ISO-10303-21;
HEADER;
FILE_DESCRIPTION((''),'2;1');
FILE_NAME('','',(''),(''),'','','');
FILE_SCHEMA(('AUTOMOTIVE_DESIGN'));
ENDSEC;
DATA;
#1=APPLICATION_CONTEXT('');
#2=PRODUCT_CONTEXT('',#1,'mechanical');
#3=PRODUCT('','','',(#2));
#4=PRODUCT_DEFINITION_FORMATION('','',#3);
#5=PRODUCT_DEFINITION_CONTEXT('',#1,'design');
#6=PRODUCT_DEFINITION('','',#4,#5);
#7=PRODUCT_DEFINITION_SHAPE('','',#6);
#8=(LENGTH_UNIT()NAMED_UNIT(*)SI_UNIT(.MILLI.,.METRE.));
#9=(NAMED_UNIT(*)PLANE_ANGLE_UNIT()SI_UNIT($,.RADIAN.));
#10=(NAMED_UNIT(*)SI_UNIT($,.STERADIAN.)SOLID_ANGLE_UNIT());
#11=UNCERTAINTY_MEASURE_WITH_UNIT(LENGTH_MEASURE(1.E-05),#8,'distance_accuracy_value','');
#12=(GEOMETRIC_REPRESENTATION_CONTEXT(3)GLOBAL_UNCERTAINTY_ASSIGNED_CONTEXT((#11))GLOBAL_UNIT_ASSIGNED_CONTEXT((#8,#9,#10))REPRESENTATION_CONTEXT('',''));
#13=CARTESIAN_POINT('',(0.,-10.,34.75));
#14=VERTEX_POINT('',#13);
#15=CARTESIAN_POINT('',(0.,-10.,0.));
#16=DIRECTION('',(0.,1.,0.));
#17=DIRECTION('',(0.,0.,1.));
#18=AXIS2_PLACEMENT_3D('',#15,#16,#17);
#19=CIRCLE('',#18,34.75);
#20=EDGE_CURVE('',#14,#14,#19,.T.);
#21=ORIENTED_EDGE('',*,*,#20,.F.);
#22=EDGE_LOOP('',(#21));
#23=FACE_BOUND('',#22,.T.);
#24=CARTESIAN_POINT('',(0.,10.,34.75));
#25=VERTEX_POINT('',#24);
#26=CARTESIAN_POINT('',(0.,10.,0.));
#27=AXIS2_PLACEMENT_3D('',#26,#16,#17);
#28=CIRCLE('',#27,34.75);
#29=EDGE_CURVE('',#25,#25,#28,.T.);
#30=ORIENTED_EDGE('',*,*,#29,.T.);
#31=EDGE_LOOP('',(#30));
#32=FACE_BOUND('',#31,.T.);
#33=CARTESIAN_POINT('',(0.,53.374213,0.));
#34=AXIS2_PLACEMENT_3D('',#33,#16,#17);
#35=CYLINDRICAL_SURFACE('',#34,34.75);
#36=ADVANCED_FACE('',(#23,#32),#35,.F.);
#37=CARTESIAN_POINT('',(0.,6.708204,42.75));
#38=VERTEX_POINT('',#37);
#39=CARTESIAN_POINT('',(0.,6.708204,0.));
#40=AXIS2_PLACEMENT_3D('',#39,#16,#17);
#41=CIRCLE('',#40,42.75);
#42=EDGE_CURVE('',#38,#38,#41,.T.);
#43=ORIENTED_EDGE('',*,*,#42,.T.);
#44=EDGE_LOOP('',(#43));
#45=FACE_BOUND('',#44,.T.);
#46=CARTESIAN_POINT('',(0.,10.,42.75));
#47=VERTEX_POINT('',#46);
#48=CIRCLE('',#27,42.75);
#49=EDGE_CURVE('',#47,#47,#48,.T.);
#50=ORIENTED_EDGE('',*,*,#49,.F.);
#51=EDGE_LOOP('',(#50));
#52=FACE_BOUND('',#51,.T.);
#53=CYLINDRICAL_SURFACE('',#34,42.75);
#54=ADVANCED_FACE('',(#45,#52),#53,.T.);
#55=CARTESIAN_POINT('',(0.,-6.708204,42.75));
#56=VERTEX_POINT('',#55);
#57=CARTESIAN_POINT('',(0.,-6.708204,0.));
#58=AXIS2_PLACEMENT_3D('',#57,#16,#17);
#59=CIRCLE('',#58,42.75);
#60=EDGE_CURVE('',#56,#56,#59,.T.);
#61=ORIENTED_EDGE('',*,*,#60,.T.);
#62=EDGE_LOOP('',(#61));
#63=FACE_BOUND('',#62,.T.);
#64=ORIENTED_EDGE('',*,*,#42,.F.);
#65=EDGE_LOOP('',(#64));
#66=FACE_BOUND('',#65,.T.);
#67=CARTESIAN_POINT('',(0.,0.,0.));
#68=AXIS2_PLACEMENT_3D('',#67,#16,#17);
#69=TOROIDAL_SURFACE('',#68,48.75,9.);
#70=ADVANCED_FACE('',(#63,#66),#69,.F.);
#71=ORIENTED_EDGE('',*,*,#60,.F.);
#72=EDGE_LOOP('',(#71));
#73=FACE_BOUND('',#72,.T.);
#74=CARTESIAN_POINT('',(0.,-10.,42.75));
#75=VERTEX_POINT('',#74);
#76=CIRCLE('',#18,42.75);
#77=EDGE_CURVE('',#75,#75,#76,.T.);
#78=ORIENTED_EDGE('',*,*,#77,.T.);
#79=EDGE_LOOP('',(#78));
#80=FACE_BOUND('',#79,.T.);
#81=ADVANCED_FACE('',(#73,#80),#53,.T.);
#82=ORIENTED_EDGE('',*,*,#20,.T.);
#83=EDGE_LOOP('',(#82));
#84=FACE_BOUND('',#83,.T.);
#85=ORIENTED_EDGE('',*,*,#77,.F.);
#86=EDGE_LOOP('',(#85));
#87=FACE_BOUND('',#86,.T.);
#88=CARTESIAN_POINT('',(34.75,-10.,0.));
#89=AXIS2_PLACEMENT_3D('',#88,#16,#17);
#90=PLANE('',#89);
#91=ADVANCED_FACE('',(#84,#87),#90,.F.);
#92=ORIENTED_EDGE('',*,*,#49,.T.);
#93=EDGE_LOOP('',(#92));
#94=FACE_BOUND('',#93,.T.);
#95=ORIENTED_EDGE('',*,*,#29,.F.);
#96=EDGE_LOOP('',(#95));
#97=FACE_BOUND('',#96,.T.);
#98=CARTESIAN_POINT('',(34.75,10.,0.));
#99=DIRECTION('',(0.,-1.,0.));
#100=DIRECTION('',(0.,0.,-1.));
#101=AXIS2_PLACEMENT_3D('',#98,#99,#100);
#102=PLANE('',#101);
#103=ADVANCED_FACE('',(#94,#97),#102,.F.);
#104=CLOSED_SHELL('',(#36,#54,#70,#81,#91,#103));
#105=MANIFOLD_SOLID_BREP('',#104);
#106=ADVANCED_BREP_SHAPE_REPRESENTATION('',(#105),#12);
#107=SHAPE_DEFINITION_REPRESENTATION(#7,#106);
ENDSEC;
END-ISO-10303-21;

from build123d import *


with BuildPart() as part:
    # 草图1 → 旋转1 (revolve)
    with BuildSketch(Plane.XY, mode=Mode.PRIVATE) as revolve_1_sk:
        with BuildLine():
            Line((34.75, 10), (34.75, -10))
            Line((34.75, -10), (42.75, -10))
            Line((42.75, -10), (42.75, -6.708203932))
            ThreePointArc((42.75, -6.708203932), (39.75, 0), (42.75, 6.708203932))
            Line((42.75, 6.708203932), (42.75, 10))
            Line((42.75, 10), (34.75, 10))
        make_face()
    revolve(revolve_1_sk.sketch.rotate(Axis((0, 53.374213025, 0), (0, -1, 0)), 90), axis=Axis((0, 53.374213025, 0), (0, -1, 0)))


solid = part.part
